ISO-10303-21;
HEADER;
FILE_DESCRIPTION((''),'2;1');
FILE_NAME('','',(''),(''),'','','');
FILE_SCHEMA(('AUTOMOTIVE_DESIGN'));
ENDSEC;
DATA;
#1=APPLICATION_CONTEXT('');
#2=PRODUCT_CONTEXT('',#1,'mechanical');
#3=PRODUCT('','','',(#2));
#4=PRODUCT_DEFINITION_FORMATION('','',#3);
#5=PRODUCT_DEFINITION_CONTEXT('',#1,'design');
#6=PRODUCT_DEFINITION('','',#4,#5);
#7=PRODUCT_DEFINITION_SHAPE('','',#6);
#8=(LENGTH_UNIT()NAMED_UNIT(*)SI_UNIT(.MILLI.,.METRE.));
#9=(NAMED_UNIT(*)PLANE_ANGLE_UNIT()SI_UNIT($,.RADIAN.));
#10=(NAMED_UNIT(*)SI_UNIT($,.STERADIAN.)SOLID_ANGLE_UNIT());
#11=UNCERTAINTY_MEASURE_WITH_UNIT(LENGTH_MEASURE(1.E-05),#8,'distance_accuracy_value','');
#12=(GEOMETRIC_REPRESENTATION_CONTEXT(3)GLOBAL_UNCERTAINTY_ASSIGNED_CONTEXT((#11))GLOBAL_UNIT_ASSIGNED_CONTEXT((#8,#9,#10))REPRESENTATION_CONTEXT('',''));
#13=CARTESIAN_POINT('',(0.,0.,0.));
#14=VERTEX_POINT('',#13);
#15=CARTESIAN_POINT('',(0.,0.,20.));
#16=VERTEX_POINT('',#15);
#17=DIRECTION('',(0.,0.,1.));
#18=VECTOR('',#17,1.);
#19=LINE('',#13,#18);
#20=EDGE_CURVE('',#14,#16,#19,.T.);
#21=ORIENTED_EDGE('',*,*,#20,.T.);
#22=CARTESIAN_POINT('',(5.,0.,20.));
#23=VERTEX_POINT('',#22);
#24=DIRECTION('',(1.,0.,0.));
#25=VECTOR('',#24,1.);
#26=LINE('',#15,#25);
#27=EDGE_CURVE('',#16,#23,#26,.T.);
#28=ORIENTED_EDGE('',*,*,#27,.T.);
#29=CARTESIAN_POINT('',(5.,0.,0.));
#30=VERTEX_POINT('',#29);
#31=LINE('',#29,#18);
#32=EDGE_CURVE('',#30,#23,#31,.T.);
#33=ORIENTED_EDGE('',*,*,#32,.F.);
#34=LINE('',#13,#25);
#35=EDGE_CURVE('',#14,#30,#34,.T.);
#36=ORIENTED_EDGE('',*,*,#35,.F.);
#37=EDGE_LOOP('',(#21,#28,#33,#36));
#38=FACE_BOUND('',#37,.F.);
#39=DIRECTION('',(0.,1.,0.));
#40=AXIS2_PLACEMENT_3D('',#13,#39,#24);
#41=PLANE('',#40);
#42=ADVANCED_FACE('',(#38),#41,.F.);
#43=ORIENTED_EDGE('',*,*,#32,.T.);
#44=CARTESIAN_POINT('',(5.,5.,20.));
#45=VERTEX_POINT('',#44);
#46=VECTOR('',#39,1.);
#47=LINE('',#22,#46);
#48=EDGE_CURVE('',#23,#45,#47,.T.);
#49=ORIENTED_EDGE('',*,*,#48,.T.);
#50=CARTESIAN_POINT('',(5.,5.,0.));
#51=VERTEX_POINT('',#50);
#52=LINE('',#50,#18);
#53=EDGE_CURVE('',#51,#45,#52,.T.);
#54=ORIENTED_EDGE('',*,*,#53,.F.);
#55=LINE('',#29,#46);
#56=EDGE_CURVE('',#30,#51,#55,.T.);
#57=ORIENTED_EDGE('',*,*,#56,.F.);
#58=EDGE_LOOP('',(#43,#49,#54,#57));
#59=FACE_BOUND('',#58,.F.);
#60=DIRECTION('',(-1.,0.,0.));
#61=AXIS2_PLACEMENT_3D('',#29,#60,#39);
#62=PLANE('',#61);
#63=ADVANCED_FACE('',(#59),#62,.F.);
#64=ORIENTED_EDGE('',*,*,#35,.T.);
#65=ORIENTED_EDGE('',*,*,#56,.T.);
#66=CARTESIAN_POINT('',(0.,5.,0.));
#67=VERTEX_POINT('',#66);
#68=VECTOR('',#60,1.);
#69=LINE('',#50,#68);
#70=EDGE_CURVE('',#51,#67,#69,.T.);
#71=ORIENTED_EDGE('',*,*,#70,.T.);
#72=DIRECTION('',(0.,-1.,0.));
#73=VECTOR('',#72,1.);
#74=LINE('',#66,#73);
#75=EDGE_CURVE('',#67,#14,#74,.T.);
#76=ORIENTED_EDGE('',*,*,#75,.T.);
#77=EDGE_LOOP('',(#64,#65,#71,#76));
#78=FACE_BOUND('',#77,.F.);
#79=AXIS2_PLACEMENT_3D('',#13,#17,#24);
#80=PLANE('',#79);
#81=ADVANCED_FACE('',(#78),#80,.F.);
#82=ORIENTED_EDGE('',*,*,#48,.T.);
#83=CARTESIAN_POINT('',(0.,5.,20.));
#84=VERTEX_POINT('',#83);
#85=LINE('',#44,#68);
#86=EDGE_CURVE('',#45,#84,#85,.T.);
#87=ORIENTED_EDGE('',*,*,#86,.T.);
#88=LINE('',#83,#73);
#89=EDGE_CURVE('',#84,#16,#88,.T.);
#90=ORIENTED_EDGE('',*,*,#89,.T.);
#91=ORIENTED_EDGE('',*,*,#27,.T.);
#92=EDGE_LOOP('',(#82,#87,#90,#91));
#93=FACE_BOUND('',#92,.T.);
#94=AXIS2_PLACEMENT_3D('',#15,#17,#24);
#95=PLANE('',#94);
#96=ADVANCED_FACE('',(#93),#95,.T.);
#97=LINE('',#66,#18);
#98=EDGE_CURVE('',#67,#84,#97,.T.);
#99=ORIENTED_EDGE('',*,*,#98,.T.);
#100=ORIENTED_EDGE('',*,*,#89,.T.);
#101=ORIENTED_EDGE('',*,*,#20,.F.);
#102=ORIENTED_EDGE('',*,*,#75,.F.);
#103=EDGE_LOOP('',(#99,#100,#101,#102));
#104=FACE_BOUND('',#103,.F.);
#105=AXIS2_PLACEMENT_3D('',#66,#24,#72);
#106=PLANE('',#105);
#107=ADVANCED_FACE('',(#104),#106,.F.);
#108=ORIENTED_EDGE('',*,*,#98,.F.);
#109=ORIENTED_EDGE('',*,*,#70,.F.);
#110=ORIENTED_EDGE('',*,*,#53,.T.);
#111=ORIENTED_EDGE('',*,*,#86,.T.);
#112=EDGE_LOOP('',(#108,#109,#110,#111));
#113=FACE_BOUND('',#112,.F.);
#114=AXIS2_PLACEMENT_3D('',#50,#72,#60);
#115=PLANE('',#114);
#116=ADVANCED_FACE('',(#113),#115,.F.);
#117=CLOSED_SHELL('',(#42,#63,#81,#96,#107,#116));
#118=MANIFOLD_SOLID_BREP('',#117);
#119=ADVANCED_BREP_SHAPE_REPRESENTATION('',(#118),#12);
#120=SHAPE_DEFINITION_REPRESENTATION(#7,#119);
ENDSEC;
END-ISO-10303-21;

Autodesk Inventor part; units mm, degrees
ref_plane "YZ Plane" through (0, 0, 0) normal (1, 0, 0) x (0, 1, 0)
ref_plane "XZ Plane" through (0, 0, 0) normal (0, 1, 0) x (-1, 0, 0)
ref_plane "XY Plane" through (0, 0, 0) normal (0, 0, 1) x (1, 0, 0)
sketch "Sketch1" plane through (0, 0, 0) normal (0, 0, 1) x (1, 0, 0)
  line L0 (0, 0) -> (5, 0)
  line L1 (5, 0) -> (5, 5)
  line L2 (5, 5) -> (0, 5)
  line L3 (0, 5) -> (0, 0)
  dimension "d0" = 5
  dimension "d1" = 5
extrude "Extrusion1" add sketch "Sketch1" along normal blind 20
properties part number "Key"
